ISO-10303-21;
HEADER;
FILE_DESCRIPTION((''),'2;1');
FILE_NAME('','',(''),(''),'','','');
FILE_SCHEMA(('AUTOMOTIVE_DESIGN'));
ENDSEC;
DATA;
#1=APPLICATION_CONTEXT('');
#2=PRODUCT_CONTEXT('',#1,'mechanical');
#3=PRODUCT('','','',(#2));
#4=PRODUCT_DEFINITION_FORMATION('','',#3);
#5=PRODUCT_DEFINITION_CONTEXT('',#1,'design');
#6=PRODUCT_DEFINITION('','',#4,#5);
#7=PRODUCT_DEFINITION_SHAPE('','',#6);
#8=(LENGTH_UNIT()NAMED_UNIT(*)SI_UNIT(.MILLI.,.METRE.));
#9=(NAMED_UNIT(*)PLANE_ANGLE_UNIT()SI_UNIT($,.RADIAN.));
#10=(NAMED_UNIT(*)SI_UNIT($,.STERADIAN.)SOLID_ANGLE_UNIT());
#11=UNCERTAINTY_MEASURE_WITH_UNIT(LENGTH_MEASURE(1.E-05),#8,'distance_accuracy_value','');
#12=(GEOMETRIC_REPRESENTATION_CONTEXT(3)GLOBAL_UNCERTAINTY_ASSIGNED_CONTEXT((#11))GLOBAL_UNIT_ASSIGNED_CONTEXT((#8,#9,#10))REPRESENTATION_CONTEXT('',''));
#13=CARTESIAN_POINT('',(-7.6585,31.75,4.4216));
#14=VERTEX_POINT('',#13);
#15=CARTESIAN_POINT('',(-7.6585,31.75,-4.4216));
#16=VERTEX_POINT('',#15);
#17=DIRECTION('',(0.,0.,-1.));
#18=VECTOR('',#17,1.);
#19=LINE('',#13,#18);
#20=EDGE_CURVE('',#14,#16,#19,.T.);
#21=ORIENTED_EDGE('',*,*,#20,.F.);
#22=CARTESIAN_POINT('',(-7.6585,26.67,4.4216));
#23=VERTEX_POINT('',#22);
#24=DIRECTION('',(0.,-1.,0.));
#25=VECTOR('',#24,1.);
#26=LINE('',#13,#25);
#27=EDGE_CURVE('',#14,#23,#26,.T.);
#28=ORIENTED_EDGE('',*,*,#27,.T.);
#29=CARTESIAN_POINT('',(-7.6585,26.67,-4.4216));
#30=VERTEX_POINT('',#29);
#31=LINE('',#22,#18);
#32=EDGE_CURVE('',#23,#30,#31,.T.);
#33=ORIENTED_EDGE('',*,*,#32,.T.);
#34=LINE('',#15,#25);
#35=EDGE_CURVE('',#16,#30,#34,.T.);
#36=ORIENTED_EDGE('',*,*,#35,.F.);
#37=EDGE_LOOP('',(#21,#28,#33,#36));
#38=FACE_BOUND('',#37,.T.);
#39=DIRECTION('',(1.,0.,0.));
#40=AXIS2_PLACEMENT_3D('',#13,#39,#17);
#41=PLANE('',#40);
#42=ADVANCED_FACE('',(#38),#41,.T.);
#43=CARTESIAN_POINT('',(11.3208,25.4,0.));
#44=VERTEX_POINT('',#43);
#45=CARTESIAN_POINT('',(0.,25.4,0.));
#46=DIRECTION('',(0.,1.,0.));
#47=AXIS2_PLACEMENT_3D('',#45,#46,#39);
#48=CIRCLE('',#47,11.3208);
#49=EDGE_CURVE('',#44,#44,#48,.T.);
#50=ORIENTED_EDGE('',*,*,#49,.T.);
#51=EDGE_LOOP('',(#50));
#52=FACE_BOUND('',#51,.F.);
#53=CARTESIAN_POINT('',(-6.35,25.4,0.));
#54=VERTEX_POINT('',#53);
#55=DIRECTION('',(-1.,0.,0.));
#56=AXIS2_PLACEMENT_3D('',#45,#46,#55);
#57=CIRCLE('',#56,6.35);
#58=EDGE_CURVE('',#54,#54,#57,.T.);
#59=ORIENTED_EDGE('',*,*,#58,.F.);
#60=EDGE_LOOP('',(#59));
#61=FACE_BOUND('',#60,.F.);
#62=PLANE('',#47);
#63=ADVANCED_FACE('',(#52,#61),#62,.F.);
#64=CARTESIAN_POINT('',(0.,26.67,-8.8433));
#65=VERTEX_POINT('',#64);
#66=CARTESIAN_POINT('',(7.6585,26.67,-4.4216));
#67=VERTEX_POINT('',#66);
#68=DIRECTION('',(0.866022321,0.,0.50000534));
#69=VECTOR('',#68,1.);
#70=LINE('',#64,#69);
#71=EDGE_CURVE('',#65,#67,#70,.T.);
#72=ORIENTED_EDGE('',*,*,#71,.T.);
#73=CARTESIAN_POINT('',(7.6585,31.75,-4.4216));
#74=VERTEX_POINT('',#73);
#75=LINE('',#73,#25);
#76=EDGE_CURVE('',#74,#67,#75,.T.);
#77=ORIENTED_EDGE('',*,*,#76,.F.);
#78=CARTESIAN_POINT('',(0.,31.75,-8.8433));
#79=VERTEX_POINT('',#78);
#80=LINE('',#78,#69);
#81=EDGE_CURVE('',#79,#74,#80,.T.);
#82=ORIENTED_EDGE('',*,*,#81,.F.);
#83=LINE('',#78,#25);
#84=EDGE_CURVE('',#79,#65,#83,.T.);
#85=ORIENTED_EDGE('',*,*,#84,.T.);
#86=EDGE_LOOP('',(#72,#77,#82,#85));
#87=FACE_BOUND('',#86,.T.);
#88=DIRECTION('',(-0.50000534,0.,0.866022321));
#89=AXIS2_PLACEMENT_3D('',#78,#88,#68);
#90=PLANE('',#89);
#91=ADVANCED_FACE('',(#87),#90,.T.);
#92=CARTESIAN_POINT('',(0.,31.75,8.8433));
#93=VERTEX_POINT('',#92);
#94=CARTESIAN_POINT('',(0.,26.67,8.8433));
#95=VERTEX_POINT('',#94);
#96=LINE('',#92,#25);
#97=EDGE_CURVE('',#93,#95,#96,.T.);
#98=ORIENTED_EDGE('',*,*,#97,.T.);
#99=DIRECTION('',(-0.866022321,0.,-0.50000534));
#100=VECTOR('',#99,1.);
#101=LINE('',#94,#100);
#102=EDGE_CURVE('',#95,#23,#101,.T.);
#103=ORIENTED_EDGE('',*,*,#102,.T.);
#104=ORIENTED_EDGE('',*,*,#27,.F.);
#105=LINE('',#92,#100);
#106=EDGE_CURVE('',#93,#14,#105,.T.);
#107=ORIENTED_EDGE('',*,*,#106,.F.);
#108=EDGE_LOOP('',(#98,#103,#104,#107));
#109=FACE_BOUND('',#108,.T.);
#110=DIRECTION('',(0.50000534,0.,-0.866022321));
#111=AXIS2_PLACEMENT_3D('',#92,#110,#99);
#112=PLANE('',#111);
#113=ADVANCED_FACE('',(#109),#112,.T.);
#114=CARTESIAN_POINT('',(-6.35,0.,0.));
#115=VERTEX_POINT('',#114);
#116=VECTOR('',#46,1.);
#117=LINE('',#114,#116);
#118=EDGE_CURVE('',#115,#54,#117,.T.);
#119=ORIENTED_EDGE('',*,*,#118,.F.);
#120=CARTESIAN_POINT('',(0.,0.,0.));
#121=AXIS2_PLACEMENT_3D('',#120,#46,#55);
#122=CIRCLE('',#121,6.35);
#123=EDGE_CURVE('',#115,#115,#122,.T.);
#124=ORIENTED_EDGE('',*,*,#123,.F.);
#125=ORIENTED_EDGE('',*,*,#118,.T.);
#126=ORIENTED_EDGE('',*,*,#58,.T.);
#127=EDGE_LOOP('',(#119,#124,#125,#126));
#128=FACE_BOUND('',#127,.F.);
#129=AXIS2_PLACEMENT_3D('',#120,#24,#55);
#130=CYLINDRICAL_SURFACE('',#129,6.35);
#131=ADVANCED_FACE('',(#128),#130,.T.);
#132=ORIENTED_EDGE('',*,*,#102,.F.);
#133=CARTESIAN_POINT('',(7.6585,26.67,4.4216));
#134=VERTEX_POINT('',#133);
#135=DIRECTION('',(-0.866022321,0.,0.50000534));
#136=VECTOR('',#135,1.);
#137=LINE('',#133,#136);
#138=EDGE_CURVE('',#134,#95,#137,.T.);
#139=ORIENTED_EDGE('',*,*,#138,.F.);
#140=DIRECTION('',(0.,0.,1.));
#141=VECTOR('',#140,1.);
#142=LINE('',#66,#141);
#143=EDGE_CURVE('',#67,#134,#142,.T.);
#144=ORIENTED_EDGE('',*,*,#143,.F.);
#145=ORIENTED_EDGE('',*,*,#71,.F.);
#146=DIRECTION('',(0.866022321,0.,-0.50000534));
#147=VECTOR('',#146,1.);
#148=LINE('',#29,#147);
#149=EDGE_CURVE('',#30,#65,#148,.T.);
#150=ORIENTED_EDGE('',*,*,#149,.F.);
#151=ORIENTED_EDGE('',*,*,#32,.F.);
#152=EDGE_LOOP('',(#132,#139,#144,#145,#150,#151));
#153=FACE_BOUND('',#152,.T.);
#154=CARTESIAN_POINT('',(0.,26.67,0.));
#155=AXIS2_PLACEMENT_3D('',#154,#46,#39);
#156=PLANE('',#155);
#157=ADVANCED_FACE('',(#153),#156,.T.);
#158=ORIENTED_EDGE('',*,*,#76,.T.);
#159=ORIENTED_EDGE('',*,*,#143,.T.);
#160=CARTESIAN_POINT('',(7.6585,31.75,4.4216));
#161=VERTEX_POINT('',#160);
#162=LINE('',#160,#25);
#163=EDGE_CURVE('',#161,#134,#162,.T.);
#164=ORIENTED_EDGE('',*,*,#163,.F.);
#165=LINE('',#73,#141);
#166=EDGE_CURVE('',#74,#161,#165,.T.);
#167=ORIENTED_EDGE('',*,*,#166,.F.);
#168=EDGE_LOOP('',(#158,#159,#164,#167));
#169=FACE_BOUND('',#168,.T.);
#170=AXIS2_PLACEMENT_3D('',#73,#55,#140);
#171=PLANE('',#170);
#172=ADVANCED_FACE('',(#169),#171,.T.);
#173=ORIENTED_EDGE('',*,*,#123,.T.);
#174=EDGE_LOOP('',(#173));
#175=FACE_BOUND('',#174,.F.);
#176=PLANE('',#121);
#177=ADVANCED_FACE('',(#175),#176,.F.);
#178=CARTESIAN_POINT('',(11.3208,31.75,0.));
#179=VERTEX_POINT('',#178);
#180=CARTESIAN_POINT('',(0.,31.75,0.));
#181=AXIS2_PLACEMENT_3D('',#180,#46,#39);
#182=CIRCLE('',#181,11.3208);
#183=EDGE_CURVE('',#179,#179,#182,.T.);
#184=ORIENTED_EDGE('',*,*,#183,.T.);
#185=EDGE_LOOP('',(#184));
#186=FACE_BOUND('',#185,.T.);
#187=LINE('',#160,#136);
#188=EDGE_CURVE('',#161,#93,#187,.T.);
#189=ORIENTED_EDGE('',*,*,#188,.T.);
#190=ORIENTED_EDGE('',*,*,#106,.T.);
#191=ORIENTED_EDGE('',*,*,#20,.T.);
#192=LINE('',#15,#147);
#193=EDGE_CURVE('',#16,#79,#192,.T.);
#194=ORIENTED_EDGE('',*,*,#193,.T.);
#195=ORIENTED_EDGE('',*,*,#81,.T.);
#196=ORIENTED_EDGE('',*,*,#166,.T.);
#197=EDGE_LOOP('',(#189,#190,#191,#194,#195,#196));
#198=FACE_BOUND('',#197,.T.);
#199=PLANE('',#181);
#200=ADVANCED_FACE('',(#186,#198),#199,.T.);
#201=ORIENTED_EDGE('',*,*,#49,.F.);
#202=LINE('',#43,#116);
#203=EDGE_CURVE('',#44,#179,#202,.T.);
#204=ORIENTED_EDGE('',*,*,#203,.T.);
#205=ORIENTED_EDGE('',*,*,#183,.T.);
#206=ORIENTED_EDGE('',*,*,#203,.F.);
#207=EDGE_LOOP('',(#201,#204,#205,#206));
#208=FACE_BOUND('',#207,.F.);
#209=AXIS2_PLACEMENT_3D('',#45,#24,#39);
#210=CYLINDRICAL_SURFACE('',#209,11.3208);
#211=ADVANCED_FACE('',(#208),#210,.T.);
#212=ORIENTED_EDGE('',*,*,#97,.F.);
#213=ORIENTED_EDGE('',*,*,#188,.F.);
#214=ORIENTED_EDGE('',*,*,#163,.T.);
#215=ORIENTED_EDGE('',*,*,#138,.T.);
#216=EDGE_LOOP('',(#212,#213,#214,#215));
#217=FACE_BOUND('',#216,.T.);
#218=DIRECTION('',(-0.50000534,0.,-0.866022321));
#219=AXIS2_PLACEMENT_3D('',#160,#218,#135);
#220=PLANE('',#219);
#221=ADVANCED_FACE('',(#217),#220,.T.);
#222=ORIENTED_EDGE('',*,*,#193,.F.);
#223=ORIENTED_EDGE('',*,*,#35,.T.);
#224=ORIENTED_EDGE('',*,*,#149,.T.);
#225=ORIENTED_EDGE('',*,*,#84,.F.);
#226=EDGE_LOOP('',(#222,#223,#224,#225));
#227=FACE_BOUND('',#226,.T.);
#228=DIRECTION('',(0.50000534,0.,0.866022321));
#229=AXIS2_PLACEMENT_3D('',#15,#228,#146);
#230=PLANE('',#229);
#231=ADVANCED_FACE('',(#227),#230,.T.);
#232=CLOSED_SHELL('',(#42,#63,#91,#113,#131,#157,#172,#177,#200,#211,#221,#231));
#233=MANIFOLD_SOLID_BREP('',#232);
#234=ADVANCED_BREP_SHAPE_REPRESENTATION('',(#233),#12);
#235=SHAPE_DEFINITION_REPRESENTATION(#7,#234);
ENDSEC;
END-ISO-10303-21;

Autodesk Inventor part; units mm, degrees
ref_plane "YZ Plane" through (0, 0, 0) normal (1, 0, 0) x (0, 1, 0)
ref_plane "XZ Plane" through (0, 0, 0) normal (0, 1, 0) x (-1, 0, 0)
ref_plane "XY Plane" through (0, 0, 0) normal (0, 0, 1) x (1, 0, 0)
sketch "Sketch1" plane through (0, 0, 0) normal (0, 1, 0) x (-1, 0, 0)
  circle A0 centre (0, 0) radius 6.35
  dimension "d0" = 12.7
extrude "Extrusion1" add sketch "Sketch1" along normal blind 25.4
thread "Thread1" size "1/2-13 UNC" class "2A" standard "ANSI Unified Screw Threads" full length
sketch "Sketch2" plane through (0, 25.4, 0) normal (0, 1, 0) x (1, 0, 0)
  circle A0 centre (0, 0) radius 11.3208
extrude "Extrusion2" add sketch "Sketch2" along normal blind 6.35
sketch "Sketch3" plane through (0, 31.75, 0) normal (0, 1, 0) x (1, 0, 0)
  line L0 (0, 8.8433) -> (7.6585, 4.4216)
  line L1 (7.6585, 4.4216) -> (7.6585, -4.4216)
  line L2 (7.6585, -4.4216) -> (0, -8.8433)
  line L3 (0, -8.8433) -> (-7.6585, -4.4216)
  line L4 (-7.6585, -4.4216) -> (-7.6585, 4.4216)
  line L5 (-7.6585, 4.4216) -> (0, 8.8433)
  point P0 (0, 0)
  point P1 (0, 0)
extrude "Extrusion3" cut sketch "Sketch3" against normal blind 5.08
properties part number "bolttest"
